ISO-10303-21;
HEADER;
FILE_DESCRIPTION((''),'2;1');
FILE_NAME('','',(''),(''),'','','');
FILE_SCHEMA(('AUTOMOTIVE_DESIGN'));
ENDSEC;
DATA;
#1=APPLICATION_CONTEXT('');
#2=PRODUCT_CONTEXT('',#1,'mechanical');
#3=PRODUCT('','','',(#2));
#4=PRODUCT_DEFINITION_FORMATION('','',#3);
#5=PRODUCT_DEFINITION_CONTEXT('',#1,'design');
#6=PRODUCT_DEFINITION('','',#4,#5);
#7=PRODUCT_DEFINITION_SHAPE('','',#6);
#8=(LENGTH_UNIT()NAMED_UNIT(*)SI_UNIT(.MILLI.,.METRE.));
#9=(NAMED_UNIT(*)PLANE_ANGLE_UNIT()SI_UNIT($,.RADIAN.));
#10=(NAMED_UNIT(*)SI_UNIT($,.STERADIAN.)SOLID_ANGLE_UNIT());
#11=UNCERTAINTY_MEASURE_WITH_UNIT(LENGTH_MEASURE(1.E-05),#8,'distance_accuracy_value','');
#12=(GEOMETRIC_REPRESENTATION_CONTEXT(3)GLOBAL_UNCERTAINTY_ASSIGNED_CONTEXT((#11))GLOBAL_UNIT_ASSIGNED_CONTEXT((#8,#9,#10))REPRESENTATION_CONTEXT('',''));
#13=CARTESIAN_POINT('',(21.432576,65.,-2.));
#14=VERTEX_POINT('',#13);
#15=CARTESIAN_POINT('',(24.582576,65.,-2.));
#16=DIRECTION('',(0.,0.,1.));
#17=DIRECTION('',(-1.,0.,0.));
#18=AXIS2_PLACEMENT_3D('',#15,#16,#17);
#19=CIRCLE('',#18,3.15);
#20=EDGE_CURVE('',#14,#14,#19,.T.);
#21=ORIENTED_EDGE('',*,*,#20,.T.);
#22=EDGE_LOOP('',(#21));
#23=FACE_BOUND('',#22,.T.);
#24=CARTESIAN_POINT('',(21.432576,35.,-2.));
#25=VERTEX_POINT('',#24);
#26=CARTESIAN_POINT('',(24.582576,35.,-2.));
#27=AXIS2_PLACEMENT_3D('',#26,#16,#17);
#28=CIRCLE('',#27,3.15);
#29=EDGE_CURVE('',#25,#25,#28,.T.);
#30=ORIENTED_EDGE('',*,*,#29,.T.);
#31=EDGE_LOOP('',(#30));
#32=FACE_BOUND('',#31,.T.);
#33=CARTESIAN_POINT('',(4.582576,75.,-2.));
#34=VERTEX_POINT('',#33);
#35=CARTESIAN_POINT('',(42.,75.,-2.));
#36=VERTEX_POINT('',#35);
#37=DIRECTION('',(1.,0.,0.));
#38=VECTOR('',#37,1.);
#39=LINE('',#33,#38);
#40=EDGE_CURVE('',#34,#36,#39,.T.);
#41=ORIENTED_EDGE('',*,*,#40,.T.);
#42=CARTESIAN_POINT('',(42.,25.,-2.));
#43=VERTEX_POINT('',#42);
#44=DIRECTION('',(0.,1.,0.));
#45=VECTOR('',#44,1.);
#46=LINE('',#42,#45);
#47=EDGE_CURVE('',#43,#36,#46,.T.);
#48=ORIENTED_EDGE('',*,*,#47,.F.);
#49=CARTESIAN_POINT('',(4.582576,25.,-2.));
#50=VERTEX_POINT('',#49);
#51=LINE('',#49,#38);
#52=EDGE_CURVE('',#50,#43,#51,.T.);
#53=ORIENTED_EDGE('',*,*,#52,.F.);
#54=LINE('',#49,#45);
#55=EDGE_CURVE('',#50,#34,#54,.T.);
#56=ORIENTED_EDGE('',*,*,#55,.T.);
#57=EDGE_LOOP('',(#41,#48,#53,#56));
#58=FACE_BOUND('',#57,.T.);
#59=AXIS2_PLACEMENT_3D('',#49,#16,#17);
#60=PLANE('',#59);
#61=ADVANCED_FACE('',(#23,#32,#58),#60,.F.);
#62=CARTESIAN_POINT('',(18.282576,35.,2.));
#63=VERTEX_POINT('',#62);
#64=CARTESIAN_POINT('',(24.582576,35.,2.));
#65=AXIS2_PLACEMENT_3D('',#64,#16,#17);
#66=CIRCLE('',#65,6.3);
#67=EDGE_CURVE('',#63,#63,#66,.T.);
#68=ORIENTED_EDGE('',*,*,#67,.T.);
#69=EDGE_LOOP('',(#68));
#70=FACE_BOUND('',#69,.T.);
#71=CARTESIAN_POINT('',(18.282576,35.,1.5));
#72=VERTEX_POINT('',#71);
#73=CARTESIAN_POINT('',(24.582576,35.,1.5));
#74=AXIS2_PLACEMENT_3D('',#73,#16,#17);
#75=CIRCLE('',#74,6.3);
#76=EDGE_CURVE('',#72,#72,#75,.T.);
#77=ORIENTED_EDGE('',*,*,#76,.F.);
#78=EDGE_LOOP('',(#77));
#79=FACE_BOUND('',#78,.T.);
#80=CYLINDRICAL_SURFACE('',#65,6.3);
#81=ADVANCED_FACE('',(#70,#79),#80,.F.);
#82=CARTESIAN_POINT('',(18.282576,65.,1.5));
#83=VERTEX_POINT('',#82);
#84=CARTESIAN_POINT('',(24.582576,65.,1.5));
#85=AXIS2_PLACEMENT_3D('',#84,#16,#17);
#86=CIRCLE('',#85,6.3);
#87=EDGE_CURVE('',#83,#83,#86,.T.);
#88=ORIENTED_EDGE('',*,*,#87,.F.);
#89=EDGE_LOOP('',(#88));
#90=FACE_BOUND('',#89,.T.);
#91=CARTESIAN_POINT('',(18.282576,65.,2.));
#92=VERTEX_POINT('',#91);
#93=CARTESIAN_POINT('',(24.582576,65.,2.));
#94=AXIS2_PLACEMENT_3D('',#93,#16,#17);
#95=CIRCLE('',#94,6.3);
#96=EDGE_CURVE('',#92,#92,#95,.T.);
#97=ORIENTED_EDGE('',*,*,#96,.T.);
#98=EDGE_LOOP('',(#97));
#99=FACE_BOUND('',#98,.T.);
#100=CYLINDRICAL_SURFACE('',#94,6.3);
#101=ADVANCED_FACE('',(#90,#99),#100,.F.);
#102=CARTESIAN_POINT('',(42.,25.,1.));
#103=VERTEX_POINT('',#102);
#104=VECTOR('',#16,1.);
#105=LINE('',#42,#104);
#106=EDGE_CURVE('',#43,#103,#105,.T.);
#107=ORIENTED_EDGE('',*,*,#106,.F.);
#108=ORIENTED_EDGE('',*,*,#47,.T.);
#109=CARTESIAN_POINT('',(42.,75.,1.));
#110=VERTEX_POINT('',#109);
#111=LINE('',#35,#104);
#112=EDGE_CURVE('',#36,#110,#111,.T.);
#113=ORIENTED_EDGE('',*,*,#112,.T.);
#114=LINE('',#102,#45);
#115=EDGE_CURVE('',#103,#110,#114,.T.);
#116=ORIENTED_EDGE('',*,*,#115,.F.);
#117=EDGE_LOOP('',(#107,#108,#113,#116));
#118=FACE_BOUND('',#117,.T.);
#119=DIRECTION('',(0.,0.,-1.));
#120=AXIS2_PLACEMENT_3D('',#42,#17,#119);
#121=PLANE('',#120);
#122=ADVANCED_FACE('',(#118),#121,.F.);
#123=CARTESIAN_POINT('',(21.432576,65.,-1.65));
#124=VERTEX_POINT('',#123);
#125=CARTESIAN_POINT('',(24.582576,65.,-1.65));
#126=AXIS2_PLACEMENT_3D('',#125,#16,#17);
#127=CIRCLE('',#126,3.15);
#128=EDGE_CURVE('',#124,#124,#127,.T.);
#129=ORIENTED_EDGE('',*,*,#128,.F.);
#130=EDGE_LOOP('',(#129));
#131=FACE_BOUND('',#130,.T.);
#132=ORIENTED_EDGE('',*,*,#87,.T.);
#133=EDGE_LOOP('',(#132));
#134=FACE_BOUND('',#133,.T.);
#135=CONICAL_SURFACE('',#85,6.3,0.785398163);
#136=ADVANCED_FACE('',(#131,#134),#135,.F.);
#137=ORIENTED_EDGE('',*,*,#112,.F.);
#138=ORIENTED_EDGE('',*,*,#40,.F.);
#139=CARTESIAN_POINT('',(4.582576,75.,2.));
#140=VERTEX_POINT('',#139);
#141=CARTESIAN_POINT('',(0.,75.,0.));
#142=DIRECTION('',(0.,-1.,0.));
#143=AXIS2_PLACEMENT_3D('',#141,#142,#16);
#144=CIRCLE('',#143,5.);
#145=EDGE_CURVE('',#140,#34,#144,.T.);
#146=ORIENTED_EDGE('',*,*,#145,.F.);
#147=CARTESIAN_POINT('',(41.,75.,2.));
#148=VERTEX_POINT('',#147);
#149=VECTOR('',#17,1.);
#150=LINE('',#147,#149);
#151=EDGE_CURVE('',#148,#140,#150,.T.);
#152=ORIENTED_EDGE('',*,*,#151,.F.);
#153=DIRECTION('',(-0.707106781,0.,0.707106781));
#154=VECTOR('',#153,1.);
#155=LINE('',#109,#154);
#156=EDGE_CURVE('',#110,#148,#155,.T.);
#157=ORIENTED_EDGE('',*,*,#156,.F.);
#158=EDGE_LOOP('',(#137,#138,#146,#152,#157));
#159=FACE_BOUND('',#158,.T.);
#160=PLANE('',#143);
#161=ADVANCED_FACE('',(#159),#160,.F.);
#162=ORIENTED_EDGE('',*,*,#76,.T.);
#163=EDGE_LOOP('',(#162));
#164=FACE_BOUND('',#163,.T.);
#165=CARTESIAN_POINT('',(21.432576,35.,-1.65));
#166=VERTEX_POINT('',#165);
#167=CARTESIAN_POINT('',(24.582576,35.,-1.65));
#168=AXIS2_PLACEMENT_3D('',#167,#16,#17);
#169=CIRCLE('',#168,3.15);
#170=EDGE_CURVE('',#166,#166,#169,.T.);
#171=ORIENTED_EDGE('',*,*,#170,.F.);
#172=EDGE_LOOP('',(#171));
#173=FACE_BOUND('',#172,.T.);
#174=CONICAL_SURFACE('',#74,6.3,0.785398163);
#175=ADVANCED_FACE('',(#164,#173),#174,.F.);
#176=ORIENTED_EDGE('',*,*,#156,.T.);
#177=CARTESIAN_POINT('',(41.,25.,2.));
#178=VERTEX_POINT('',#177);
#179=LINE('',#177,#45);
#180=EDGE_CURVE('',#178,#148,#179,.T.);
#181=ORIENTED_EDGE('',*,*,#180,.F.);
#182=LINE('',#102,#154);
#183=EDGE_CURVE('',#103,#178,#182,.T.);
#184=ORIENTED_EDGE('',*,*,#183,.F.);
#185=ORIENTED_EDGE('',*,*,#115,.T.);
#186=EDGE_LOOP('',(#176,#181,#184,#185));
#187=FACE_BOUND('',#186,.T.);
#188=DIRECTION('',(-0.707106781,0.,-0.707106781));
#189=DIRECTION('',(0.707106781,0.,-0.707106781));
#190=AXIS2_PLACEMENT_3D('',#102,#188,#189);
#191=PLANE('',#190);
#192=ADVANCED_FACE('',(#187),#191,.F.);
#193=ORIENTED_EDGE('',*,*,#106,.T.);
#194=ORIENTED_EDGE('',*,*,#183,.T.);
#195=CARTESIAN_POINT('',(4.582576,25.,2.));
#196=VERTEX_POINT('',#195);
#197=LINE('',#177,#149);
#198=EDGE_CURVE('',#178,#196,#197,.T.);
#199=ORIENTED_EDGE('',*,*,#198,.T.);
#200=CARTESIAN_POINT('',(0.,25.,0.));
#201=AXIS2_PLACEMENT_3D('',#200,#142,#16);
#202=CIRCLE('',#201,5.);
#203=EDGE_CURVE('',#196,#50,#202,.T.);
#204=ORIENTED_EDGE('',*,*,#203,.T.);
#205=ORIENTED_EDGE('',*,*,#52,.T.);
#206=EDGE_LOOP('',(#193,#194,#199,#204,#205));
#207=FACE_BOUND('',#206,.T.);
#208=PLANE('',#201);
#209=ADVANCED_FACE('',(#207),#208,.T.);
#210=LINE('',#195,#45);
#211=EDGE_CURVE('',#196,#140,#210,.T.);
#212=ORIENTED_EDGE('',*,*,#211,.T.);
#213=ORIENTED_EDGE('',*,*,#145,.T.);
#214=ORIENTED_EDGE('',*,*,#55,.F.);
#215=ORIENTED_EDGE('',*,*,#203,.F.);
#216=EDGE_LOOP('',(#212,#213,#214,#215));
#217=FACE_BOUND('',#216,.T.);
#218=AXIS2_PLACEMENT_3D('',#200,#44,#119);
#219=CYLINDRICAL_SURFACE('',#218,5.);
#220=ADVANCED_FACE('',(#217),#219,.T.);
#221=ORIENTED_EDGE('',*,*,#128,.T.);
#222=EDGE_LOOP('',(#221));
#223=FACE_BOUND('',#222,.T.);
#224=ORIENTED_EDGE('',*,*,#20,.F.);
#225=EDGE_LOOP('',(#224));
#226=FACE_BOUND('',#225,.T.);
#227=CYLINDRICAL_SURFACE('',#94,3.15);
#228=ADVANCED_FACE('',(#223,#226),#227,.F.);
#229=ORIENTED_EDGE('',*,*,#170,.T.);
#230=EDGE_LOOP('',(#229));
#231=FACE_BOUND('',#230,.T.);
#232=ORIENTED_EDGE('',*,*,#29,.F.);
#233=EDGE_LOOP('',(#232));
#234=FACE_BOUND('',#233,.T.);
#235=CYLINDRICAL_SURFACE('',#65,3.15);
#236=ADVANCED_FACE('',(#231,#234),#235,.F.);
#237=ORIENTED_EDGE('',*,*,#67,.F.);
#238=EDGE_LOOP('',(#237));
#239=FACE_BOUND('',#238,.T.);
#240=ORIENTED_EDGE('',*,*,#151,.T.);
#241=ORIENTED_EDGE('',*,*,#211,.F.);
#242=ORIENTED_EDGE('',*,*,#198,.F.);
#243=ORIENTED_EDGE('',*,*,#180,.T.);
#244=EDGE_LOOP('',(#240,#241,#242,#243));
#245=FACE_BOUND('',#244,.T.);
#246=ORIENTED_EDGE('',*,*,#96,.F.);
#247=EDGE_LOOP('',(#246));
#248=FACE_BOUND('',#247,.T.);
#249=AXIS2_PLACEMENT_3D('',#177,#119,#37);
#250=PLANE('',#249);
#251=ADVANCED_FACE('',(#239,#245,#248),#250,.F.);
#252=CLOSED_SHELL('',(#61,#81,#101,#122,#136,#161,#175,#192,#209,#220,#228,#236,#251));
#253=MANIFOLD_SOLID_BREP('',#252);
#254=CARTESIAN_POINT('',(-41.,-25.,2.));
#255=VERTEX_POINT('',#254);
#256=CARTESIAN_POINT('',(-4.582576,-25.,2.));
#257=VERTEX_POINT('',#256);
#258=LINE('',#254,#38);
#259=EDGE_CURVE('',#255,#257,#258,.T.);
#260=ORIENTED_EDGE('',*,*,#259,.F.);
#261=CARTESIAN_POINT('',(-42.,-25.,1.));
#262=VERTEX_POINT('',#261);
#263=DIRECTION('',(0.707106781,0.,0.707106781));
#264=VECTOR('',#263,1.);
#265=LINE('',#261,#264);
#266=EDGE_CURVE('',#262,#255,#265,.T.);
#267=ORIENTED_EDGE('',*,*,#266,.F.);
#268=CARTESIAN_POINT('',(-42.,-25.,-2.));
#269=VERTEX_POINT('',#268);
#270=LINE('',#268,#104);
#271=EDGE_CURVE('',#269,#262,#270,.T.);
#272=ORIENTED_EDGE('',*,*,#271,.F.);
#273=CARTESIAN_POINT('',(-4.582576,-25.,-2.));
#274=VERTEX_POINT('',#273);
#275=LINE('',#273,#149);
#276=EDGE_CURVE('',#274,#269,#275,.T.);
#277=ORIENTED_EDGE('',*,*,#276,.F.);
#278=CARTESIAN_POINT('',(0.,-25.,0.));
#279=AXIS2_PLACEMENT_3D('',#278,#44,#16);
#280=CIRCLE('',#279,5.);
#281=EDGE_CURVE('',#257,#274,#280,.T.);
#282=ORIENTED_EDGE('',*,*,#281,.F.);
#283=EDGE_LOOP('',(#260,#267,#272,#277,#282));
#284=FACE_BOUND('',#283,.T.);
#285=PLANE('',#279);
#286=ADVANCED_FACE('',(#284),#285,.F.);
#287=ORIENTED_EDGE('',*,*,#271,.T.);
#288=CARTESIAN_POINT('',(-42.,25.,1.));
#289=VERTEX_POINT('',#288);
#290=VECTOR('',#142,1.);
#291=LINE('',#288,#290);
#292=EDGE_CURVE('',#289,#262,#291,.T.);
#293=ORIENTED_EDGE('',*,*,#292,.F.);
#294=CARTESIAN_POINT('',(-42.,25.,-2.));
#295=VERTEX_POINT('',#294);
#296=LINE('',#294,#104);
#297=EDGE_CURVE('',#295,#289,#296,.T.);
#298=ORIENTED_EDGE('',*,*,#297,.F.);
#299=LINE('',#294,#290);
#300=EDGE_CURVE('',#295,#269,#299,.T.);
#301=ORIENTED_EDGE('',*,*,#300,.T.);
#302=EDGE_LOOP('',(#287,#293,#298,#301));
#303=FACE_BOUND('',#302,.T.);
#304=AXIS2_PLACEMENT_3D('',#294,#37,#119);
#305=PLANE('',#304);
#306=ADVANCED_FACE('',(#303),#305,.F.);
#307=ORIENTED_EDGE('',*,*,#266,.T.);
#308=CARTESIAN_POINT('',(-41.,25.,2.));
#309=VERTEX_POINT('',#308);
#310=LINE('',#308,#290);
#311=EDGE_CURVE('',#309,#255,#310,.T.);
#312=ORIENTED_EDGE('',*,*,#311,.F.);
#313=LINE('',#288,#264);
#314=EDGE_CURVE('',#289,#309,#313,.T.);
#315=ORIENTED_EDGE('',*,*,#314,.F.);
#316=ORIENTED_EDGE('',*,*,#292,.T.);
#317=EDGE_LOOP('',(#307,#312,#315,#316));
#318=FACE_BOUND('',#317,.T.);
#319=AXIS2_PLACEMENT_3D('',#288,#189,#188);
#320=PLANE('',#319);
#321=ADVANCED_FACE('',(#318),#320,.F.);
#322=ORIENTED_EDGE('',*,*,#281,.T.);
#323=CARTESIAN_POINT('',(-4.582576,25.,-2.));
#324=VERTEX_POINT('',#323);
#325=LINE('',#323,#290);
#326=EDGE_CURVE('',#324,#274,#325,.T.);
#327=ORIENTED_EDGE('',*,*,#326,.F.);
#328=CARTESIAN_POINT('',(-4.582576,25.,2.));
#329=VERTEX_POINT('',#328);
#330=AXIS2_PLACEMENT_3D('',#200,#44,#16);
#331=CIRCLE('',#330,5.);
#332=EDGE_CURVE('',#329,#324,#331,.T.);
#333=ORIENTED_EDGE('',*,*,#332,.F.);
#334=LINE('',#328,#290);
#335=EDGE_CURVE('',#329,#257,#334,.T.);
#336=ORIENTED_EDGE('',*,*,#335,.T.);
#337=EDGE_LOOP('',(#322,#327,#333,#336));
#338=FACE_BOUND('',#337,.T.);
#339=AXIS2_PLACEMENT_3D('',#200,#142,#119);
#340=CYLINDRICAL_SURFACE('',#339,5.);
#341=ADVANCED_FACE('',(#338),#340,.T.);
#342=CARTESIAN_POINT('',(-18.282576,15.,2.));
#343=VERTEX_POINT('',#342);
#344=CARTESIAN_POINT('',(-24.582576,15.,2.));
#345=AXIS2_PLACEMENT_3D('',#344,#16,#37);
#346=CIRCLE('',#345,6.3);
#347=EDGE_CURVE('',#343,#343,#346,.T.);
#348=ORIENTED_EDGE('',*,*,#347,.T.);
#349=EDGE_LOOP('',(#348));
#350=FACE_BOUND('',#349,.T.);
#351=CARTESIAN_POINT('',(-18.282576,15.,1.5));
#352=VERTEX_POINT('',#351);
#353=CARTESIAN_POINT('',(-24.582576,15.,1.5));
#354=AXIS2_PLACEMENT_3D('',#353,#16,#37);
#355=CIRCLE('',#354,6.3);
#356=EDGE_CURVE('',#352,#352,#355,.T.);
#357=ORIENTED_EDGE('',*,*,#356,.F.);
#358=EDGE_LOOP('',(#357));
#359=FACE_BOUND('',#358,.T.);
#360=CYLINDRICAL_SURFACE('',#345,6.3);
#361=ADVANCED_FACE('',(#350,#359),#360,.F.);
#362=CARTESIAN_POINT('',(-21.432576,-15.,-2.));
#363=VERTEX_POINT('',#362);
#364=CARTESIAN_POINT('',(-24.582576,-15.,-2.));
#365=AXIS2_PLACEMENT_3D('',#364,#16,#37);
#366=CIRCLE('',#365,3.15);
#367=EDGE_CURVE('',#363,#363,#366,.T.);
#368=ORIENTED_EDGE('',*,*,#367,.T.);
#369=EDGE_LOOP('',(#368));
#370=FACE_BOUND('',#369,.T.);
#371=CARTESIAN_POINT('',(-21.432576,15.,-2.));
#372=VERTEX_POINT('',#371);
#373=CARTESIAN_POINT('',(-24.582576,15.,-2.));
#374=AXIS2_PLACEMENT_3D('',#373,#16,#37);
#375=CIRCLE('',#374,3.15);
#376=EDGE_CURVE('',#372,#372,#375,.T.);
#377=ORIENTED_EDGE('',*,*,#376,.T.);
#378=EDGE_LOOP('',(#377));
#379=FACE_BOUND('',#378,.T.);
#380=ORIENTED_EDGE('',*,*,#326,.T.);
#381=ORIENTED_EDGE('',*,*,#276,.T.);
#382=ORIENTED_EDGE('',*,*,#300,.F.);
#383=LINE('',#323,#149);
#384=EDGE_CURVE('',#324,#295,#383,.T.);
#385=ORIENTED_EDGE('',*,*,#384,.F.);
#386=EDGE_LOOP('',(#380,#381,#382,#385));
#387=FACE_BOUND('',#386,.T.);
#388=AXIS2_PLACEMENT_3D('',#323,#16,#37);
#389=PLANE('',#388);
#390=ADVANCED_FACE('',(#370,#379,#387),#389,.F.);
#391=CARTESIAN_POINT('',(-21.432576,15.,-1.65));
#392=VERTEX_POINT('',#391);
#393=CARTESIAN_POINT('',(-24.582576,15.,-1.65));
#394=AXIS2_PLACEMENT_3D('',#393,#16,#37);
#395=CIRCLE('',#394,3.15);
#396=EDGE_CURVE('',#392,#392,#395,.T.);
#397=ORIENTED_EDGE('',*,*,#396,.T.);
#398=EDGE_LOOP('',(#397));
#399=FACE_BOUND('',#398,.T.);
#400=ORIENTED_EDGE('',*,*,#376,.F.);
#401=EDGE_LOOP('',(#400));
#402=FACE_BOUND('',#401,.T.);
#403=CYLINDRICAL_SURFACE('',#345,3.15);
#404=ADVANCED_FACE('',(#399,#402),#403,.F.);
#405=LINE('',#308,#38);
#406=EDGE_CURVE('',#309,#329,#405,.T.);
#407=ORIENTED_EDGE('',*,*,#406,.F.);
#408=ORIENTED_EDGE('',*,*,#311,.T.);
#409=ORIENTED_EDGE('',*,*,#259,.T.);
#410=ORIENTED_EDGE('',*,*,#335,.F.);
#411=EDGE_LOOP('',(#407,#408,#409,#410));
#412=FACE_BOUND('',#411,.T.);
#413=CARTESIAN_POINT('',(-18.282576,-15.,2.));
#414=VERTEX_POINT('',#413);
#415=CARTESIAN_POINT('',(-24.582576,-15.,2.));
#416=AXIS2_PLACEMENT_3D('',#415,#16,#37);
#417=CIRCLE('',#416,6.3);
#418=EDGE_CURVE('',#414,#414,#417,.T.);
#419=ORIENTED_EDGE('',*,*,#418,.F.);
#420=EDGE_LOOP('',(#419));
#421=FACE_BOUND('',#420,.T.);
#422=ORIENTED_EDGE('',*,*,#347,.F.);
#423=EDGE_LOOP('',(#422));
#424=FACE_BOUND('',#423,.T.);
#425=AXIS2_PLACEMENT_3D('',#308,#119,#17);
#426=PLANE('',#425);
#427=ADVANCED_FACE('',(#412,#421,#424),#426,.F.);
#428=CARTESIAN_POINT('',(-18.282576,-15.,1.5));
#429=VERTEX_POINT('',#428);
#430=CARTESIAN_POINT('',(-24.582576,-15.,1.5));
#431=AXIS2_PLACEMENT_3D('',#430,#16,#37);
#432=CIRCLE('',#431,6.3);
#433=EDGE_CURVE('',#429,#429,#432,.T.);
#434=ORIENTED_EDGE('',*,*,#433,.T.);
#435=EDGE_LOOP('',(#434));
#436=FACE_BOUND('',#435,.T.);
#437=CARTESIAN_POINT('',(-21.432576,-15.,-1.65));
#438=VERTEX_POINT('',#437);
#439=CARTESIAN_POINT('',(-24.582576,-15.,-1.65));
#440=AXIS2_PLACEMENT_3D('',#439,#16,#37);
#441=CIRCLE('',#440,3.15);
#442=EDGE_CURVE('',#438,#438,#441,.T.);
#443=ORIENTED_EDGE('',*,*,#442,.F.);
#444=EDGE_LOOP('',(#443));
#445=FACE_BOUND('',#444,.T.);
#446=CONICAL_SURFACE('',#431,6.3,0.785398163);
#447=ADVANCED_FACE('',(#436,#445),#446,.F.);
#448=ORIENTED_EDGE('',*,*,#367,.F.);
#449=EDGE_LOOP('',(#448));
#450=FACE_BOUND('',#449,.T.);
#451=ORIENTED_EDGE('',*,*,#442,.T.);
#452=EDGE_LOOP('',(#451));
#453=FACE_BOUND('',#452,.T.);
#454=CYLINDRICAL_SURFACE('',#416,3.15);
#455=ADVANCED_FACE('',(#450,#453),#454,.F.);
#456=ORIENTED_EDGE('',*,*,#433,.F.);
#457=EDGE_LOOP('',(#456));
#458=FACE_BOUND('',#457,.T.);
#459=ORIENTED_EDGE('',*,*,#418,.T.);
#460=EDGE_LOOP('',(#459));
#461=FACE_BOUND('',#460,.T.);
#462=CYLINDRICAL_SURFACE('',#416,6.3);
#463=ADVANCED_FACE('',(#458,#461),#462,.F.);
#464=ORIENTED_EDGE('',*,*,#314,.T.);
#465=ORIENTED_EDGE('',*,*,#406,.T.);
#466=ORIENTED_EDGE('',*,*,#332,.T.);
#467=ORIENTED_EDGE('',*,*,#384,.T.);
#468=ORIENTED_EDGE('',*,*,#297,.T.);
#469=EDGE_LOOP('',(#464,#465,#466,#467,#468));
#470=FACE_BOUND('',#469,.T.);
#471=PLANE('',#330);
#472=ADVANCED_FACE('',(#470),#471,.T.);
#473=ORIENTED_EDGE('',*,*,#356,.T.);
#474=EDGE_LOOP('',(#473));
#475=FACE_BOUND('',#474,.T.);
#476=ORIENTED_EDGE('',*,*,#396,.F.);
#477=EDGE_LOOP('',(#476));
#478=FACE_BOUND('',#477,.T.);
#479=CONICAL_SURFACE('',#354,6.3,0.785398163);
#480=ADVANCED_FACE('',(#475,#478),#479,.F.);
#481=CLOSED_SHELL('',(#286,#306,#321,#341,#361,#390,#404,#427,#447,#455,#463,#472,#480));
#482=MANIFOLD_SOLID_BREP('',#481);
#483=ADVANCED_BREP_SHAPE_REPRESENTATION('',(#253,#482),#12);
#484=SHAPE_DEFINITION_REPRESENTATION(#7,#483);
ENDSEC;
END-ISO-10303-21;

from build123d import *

# Parameters (mm, degrees)
EXTRUDE_1_DEPTH            = 25
HOLE_WIZARD_M61_AT_2_COUNT = 2
HOLE_WIZARD_M61_AT_2_PITCH = 30
PATTERN_CIRCULAR_1_COUNT   = 2


with BuildPart() as part:
    # Эскиз1 → Бобышка-Вытянуть1 (new body, symmetric)
    with BuildSketch(Plane(origin=(0, 0, 0), x_dir=(1, 0, 0), z_dir=(0, 1, 0))):
        with BuildLine():
            Line((-4.582575695, 2), (-42, 2))
            Line((-42, 2), (-42, -1))
            Line((-42, -1), (-41, -2))
            Line((-41, -2), (-4.582575695, -2))
            ThreePointArc((-4.582575695, -2), (5, 0), (-4.582575695, 2))
        make_face()
    extrude(amount=EXTRUDE_1_DEPTH, both=True)

    # Эскиз6 → Зенковка для винта с полупотайной головкой M61 (revolve, cut)
    with BuildSketch(Plane(origin=(-24.582575695, 15, 2), x_dir=(0, -1, 0), z_dir=(1, 0, 0))):
        Polygon((0, 0), (0, 7), (3.15, 7), (3.15, 3.65), (6.3, 0.5), (6.3, 0), align=None)
    hole_wizard_m61 = revolve(axis=Axis((-24.582575695, 15, 8.35), (0, 0, -1)), mode=Mode.SUBTRACT)

    # Зенковка для винта с полупотайной головкой M61 at 2: Зенковка для винта с полупотайной головкой M61 ×2
    with Locations(*[(0, -i * HOLE_WIZARD_M61_AT_2_PITCH, 0) for i in range(1, HOLE_WIZARD_M61_AT_2_COUNT)]):
        add(hole_wizard_m61, mode=Mode.SUBTRACT)


with BuildPart() as pattern_circular_1_1:
    # Круговой массив1: pattern copy
    add(part.part.rotate(Axis((0, 25, 0), (0, 0, 1)), 1 * 360 / PATTERN_CIRCULAR_1_COUNT))


solid = Compound([part.part, pattern_circular_1_1.part])
